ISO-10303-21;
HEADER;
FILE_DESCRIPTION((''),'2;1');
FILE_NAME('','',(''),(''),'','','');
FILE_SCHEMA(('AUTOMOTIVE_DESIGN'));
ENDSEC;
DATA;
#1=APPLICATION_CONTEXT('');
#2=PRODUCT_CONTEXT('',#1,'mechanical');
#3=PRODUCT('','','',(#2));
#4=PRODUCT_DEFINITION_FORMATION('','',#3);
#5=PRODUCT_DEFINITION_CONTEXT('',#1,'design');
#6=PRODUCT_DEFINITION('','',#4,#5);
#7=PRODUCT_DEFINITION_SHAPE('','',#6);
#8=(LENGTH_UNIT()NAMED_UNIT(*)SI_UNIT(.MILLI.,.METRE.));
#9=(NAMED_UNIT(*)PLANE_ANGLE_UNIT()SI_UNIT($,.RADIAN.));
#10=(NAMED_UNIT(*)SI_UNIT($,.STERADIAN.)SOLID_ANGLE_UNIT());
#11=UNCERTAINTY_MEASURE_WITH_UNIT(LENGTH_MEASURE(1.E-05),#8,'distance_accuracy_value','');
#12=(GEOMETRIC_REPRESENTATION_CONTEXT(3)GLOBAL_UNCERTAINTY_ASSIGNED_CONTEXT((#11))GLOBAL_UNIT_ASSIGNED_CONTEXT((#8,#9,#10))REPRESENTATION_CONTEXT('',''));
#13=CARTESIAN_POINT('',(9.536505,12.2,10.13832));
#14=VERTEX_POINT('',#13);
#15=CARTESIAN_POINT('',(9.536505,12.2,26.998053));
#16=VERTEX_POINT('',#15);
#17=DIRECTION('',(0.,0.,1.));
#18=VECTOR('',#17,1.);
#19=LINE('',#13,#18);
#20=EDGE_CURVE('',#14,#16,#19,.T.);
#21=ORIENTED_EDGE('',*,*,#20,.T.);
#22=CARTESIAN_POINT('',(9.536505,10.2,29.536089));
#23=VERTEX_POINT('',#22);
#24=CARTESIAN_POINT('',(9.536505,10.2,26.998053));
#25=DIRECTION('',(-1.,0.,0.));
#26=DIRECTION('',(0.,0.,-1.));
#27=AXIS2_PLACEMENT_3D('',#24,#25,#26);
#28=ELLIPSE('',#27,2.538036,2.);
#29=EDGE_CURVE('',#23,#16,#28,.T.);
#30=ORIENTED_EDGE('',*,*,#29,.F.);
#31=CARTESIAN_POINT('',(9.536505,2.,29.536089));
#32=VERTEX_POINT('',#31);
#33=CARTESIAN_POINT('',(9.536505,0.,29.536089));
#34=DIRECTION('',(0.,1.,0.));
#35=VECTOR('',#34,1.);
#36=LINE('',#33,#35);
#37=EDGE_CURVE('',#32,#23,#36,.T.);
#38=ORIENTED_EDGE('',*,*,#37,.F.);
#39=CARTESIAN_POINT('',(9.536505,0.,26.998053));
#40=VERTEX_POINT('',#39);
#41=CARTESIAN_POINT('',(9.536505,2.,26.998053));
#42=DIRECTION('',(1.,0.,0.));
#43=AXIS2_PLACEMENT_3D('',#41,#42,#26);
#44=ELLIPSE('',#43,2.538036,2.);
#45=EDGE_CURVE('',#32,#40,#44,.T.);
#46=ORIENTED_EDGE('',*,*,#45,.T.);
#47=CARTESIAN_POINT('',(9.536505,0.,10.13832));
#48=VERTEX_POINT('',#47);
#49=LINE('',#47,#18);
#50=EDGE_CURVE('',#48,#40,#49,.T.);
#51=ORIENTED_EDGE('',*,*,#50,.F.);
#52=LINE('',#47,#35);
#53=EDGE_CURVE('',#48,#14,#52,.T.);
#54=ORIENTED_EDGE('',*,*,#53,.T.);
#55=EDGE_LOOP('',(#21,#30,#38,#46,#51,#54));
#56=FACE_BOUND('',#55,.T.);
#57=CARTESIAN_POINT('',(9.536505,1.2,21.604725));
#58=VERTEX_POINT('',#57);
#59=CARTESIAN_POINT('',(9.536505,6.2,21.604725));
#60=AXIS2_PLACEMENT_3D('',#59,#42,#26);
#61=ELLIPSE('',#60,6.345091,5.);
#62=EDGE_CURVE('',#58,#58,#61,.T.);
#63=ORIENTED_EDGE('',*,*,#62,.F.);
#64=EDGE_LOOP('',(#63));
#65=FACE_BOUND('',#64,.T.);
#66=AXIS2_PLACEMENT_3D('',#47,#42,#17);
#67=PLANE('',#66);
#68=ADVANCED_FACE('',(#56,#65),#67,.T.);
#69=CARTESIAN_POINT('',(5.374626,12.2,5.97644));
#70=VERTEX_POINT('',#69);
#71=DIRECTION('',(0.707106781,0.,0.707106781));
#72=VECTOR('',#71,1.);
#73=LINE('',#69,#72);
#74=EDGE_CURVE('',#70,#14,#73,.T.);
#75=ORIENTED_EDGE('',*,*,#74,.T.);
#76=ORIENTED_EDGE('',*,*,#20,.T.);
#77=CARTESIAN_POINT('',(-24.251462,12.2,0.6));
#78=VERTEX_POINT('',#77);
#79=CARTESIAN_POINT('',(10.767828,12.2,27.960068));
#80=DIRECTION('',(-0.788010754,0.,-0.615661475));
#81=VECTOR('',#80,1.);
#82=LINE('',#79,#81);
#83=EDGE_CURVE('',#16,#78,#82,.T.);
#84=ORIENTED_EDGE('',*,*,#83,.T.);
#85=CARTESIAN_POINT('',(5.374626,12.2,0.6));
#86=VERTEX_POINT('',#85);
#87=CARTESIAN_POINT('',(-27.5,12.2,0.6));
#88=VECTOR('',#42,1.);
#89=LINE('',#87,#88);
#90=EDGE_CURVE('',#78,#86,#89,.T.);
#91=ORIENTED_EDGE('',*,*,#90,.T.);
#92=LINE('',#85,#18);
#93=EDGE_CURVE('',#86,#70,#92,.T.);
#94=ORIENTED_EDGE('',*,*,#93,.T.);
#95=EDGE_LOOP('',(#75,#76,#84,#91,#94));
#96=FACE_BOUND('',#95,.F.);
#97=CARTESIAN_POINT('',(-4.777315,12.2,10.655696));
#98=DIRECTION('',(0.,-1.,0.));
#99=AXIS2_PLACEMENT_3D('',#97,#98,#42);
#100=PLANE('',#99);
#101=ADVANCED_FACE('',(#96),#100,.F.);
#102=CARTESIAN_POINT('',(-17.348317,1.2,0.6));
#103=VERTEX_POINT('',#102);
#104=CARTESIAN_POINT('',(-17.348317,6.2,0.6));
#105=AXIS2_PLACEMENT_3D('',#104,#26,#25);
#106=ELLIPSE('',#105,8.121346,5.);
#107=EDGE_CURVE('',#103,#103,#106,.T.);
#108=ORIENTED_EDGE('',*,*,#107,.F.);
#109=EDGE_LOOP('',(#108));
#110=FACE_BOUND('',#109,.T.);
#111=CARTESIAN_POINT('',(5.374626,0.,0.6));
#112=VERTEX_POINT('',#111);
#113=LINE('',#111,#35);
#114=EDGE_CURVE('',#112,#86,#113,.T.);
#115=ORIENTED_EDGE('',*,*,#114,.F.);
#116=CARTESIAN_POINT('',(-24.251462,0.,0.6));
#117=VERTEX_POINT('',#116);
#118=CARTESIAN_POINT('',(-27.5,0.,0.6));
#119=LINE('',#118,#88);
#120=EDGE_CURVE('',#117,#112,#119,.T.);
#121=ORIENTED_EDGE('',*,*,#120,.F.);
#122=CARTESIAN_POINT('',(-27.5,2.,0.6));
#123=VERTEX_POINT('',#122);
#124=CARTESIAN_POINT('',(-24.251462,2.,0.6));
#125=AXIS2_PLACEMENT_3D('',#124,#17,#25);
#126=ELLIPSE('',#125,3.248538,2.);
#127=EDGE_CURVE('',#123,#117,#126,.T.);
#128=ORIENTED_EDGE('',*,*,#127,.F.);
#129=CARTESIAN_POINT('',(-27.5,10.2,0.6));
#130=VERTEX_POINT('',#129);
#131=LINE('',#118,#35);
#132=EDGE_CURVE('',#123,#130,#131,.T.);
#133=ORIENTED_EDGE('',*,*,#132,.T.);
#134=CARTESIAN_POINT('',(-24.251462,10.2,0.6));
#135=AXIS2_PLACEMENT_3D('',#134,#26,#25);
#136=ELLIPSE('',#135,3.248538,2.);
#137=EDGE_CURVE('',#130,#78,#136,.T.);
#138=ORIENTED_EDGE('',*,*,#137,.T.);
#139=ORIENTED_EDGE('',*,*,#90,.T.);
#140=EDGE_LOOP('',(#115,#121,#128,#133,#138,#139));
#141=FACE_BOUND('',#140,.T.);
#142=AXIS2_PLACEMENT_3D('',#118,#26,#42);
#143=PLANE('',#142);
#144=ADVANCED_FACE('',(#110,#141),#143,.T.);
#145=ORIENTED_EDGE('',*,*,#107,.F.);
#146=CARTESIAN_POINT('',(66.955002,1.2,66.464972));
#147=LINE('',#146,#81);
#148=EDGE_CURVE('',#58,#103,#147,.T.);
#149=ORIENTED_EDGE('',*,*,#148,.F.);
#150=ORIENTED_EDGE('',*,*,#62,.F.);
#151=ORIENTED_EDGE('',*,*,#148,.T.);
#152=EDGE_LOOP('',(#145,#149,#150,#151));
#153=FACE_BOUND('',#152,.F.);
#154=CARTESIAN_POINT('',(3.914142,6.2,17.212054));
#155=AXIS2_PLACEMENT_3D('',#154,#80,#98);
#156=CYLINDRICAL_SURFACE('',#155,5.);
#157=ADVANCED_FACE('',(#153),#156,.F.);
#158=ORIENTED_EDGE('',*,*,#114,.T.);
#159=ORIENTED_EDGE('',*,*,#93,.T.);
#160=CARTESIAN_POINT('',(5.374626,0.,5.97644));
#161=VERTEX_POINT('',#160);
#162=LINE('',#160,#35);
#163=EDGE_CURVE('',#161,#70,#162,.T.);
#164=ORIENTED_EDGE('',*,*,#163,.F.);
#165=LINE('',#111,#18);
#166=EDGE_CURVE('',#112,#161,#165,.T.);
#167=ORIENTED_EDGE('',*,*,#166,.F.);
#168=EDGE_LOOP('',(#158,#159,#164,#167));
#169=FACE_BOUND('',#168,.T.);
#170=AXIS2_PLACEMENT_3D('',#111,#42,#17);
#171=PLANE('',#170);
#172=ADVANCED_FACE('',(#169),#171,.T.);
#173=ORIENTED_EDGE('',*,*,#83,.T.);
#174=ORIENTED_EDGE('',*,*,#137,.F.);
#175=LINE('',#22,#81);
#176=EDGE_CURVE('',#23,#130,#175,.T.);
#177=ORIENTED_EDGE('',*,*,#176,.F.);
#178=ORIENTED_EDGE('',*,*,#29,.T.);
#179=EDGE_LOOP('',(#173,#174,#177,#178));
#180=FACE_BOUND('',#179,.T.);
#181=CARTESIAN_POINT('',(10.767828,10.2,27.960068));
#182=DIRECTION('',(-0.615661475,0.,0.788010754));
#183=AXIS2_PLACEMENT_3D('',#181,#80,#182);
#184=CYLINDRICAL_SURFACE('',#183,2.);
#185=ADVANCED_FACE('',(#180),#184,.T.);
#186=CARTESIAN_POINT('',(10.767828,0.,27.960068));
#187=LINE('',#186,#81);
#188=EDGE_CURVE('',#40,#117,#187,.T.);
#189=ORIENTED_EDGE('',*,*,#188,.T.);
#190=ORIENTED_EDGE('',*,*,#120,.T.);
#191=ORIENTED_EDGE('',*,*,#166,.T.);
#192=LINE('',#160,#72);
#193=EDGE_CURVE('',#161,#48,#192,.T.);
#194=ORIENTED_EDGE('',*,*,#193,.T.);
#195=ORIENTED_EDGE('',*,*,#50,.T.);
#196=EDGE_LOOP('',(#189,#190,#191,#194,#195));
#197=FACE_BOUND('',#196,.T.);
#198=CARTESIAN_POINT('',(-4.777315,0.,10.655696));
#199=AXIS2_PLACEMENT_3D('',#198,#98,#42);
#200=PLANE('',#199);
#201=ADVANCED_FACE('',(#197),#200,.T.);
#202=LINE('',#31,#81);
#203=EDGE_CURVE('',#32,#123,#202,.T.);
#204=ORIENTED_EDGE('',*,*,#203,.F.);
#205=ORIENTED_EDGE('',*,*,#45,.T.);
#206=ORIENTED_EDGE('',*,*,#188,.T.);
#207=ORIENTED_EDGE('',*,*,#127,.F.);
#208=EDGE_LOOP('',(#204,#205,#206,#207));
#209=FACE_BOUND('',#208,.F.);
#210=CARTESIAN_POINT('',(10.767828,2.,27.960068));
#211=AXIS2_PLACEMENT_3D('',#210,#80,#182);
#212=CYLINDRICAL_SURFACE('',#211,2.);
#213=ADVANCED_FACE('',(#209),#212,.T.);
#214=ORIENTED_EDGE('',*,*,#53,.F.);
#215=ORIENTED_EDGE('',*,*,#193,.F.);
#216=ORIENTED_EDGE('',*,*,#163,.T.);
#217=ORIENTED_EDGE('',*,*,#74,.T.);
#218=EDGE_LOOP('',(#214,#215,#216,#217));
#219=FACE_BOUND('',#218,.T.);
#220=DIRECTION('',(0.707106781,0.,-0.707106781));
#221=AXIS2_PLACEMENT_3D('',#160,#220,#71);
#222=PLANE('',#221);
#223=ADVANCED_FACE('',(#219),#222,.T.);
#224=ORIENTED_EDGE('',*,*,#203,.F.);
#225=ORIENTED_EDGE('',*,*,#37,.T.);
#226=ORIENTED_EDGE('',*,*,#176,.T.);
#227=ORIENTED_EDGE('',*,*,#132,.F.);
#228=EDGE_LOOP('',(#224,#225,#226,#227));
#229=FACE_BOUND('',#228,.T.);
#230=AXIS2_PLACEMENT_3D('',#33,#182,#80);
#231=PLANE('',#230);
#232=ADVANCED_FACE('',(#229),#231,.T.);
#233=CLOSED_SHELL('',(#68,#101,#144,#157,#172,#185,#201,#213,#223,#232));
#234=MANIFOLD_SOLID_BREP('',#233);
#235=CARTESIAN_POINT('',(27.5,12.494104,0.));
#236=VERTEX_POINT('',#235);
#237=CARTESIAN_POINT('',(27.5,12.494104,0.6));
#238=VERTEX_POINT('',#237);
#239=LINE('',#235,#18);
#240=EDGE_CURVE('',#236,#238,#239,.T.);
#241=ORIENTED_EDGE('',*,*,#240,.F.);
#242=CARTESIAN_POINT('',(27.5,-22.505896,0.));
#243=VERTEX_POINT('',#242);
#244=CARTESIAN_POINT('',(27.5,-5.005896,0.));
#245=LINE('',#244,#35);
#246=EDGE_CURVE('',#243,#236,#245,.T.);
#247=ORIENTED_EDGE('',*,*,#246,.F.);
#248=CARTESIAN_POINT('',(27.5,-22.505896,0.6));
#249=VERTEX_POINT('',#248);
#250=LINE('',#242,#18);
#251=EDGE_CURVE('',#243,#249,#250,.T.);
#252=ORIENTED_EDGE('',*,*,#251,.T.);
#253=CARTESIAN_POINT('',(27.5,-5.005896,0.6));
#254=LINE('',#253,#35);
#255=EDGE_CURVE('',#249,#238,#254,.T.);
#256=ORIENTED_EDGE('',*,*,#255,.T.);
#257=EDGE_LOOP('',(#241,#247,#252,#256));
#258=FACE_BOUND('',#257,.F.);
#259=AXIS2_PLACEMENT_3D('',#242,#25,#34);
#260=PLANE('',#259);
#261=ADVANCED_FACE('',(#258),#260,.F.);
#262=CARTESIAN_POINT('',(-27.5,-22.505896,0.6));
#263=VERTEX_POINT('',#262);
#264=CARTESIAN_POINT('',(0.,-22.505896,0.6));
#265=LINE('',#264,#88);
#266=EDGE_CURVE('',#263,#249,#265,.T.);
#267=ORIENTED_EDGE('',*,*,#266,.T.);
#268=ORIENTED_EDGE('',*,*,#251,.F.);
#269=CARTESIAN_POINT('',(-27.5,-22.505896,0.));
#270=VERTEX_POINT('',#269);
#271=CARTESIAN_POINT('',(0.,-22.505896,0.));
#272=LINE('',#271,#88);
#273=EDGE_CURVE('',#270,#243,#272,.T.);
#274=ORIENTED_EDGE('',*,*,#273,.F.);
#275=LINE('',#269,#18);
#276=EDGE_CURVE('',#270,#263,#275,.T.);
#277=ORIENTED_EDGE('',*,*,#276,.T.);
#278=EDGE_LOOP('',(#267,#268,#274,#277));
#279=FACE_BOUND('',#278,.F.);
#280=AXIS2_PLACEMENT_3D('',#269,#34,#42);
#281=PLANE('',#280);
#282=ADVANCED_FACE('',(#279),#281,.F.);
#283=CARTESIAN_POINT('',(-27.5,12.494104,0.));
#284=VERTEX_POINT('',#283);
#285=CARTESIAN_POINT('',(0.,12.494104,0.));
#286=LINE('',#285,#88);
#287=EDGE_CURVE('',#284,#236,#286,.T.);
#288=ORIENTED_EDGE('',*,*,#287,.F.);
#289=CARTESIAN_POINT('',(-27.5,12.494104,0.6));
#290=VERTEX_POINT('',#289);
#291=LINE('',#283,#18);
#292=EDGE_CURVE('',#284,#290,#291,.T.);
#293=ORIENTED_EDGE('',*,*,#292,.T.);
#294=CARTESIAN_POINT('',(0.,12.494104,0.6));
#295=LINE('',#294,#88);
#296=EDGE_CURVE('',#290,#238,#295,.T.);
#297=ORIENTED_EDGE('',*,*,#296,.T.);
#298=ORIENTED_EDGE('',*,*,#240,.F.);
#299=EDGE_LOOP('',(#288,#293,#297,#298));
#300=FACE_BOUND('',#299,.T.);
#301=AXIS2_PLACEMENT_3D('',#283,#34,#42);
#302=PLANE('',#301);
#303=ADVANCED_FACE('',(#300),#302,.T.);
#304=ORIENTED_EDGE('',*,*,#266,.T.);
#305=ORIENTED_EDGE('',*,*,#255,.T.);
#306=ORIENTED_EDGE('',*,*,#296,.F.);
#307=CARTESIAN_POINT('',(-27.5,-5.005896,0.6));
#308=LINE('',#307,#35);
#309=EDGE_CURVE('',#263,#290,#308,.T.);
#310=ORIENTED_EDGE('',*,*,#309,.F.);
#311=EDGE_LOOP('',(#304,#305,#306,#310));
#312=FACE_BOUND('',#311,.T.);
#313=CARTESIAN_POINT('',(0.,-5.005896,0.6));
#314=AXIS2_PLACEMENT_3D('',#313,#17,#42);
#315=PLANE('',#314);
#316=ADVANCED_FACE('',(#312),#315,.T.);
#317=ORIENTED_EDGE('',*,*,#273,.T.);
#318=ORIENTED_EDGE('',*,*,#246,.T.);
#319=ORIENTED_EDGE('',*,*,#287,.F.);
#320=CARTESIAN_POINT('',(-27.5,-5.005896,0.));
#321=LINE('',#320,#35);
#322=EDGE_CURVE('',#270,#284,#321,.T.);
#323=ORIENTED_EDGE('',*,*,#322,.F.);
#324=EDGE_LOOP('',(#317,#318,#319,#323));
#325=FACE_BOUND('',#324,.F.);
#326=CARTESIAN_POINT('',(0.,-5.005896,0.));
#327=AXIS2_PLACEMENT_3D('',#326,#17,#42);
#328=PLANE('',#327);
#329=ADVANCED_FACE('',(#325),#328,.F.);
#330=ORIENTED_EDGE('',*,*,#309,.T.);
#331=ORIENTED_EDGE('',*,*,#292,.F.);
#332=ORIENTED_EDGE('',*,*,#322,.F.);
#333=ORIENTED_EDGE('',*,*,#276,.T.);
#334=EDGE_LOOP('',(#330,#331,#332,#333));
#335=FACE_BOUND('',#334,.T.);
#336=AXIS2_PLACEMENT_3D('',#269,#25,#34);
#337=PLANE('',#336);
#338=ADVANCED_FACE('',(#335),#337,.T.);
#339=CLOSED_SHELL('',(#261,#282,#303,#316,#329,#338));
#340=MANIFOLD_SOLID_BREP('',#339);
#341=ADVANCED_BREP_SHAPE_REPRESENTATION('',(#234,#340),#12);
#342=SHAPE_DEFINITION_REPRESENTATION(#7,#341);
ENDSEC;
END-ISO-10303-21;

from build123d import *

# Parameters (mm, degrees)
F0_W     = 55
F0_H     = 35
F1_DEPTH = 0.6
F3_DEPTH = 12.2
F5_R     = 5
F6_DEPTH = 80
F9_R     = 2


with BuildPart() as f1:
    # F0 (on Top) → F1 (new body)
    with BuildSketch(Plane.XY):
        with Locations((0, -5.0058960915)):
            Rectangle(F0_W, F0_H)
    extrude(amount=F1_DEPTH)


with BuildPart() as f3:
    # F2 (on Front) → F3 (new body)
    with BuildSketch(Plane.XZ):
        Polygon((9.5365054195, 29.5360893403), (-27.5, 0.6), (5.3746255518, 0.6), (5.3746255518, 5.9764396758), (9.5365054195, 10.1383195435), align=None)
    extrude(amount=-F3_DEPTH)


with BuildPart() as f6:
    # F5 (on face) → F6 (new body, symmetric)
    with BuildSketch(Plane(origin=(10.780920551, 0, 8.422978267), x_dir=(0, -1, 0), z_dir=(-0.7880107536, 0, -0.6156614753))):
        with Locations((0, 11.1534970236)):
            Circle(F5_R)
    extrude(amount=F6_DEPTH, both=True)


with BuildPart() as f6_1:
    # F7: moved
    add(f6.part.moved(Location((0, 6.2, 0))))


with BuildPart() as f3_1:
    add(f3.part)

    # F8: cut F6
    add(f6_1.part, mode=Mode.SUBTRACT)

    # F9
    f9_edges = [f3_1.edges().sort_by_distance(p)[0] for p in [
        (-8.981747, 12.2, 15.068045),
        (-8.981747, 0, 15.068045),
    ]]
    fillet(f9_edges, radius=F9_R)


solid = Compound([f1.part, f3_1.part])
